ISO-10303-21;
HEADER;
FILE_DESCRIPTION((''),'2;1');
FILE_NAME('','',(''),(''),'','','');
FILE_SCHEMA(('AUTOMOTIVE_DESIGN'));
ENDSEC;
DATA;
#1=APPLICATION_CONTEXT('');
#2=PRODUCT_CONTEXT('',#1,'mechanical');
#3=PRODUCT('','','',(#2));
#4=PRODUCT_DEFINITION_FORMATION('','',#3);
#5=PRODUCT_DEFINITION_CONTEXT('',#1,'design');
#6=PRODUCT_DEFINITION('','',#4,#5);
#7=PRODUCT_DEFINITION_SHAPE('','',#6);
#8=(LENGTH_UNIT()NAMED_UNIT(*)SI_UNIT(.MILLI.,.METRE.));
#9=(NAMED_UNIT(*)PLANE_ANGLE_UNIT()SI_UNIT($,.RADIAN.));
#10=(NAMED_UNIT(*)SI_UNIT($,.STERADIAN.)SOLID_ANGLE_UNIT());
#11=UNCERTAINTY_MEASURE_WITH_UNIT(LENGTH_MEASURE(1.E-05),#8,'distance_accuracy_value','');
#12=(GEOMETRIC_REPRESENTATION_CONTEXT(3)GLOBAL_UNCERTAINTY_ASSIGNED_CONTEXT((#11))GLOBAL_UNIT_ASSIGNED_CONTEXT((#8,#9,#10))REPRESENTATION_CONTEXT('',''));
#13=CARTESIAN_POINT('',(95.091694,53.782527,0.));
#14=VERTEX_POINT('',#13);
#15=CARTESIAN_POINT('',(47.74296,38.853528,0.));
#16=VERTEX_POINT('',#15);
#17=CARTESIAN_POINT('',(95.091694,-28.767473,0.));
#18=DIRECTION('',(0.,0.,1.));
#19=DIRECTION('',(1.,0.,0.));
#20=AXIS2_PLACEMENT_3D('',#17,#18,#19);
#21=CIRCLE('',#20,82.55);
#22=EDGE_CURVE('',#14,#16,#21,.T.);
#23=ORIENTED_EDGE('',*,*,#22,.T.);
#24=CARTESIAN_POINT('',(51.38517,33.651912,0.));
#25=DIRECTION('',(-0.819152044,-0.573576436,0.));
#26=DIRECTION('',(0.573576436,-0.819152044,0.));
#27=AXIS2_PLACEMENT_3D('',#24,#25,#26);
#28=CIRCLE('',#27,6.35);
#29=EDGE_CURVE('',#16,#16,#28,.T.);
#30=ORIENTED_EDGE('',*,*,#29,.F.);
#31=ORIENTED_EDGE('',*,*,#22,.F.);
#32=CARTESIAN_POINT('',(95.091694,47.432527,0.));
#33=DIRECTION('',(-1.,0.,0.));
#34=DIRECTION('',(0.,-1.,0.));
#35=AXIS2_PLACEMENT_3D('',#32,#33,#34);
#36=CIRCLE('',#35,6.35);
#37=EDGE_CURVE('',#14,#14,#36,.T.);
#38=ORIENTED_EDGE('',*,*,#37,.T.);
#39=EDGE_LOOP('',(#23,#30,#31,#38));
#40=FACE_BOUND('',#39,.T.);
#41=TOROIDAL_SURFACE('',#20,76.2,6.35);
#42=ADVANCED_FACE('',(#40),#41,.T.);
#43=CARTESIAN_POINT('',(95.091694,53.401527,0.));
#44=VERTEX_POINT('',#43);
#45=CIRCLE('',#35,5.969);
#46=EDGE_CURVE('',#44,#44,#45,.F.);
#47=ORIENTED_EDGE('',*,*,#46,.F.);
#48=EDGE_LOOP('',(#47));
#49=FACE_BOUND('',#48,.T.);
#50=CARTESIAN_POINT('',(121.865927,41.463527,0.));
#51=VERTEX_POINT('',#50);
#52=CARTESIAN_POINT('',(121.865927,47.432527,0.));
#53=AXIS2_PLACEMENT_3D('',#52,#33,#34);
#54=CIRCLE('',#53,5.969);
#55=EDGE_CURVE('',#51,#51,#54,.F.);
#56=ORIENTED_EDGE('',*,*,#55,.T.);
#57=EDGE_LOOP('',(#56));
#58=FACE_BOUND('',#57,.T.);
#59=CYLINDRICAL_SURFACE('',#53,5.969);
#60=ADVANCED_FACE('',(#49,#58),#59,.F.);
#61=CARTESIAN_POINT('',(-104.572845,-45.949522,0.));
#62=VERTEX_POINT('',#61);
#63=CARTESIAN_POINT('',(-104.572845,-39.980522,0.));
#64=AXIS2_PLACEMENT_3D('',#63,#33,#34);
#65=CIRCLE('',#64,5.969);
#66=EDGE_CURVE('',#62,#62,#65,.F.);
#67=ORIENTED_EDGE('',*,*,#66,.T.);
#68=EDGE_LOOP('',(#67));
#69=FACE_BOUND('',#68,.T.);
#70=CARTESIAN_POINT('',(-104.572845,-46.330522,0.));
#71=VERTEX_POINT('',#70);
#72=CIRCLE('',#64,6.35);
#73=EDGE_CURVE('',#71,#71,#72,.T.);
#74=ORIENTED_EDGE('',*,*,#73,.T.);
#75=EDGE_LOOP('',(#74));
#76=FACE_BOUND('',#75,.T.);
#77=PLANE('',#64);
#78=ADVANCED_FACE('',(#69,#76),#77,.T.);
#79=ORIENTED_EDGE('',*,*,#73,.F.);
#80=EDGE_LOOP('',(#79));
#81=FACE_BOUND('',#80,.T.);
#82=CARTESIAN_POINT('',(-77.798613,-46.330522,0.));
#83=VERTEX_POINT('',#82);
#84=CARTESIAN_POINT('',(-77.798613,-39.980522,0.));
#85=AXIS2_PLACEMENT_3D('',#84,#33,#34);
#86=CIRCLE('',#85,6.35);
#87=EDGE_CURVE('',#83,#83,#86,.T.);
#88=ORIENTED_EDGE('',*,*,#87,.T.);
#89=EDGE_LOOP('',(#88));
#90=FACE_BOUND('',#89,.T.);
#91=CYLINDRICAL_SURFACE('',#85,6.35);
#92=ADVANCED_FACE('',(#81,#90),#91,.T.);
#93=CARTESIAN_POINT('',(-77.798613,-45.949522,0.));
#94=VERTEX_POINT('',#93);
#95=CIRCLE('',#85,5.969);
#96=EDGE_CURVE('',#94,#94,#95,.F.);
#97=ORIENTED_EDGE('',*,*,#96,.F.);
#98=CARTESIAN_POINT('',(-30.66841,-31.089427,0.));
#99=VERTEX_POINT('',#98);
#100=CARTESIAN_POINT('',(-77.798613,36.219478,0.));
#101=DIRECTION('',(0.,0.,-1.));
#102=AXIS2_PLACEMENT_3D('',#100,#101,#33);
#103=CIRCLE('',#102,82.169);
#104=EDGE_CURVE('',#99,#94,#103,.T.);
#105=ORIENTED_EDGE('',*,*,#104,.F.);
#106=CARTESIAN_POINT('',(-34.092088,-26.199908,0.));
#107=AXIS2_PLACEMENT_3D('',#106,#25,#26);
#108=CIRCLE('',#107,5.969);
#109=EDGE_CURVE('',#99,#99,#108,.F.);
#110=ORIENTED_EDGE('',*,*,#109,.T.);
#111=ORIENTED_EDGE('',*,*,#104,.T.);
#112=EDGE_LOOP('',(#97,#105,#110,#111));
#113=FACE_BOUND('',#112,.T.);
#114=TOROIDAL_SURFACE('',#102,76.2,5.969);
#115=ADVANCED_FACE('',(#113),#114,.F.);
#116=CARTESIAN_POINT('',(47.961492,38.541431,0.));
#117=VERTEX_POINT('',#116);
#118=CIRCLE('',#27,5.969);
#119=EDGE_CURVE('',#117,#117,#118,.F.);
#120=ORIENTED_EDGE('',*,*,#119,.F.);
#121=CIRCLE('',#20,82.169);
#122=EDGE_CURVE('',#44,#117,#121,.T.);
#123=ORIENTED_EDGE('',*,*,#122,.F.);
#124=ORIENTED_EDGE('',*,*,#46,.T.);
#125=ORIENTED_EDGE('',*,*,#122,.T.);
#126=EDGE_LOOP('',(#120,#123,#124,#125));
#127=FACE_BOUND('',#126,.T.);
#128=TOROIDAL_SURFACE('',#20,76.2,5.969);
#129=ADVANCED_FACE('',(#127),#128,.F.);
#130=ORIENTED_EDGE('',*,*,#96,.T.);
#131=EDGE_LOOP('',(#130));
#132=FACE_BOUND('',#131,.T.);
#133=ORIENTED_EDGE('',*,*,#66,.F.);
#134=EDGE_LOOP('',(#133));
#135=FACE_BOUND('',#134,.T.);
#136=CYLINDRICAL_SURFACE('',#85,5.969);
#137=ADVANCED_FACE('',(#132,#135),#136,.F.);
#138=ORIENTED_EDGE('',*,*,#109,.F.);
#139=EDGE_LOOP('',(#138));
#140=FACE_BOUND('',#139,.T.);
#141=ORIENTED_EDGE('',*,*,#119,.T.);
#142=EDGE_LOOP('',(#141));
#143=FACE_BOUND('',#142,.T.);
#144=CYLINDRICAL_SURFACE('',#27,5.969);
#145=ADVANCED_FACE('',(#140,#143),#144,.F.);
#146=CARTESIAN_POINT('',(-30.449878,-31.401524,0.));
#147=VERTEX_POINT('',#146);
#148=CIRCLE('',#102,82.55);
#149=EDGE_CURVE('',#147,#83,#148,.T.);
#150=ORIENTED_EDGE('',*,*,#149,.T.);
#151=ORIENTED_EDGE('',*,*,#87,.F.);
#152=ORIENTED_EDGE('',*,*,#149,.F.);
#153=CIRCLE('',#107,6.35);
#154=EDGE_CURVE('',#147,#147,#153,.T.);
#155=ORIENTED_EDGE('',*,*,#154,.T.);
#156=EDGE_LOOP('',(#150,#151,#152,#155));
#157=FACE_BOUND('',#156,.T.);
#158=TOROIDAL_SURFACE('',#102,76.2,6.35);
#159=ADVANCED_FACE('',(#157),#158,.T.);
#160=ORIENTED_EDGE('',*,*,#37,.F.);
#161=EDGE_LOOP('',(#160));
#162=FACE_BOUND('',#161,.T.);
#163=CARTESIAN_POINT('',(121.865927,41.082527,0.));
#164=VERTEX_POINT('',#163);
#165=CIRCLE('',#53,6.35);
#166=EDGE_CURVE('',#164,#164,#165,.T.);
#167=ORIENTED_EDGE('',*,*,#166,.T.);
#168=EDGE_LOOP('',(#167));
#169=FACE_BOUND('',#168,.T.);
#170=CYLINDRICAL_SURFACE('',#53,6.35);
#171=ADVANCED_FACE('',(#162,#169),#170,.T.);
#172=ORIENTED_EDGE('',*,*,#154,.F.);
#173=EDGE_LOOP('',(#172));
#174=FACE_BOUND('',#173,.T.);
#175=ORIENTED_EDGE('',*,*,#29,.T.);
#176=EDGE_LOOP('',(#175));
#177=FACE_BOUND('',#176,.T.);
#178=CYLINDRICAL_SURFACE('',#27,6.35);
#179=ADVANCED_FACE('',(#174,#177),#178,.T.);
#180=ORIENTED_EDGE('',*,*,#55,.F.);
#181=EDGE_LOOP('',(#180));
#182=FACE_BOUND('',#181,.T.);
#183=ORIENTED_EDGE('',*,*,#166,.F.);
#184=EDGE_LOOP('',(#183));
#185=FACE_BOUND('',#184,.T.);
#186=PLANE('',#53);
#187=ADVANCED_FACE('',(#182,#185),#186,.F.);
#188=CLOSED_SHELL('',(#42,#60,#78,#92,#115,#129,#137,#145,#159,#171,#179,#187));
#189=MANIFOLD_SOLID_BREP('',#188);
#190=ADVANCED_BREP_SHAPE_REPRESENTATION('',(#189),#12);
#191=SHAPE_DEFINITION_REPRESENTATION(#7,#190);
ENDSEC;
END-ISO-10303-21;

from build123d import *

# Parameters (mm, degrees)
SKETCH5_R   = 6.35
SKETCH5_R_2 = 5.969


with BuildPart() as part:
    # Sweep1: sweep along a path in Sketch4
    with BuildLine(Plane.XY) as sweep1_path:
        Line((121.865926636, 47.432526586), (95.091694349, 47.432526586))
        ThreePointArc((95.091694349, 47.432526586), (72.177912426, 43.905758233), (51.385169899, 33.651912361))
        Line((51.385169899, 33.651912361), (-34.092088176, -26.199908089))
        ThreePointArc((-34.092088176, -26.199908089), (-54.884830704, -36.453753961), (-77.798612626, -39.980522314))
        Line((-77.798612626, -39.980522314), (-104.572844914, -39.980522314))
    # Sketch5 → Sweep1 (sweep)
    with BuildSketch(Plane(origin=(121.865926636, 47.432526586, 0), x_dir=(0, 0, 1), z_dir=(-1, 0, 0))):
        Circle(SKETCH5_R)
        Circle(SKETCH5_R_2, mode=Mode.SUBTRACT)
    sweep(path=sweep1_path.line)


solid = part.part
